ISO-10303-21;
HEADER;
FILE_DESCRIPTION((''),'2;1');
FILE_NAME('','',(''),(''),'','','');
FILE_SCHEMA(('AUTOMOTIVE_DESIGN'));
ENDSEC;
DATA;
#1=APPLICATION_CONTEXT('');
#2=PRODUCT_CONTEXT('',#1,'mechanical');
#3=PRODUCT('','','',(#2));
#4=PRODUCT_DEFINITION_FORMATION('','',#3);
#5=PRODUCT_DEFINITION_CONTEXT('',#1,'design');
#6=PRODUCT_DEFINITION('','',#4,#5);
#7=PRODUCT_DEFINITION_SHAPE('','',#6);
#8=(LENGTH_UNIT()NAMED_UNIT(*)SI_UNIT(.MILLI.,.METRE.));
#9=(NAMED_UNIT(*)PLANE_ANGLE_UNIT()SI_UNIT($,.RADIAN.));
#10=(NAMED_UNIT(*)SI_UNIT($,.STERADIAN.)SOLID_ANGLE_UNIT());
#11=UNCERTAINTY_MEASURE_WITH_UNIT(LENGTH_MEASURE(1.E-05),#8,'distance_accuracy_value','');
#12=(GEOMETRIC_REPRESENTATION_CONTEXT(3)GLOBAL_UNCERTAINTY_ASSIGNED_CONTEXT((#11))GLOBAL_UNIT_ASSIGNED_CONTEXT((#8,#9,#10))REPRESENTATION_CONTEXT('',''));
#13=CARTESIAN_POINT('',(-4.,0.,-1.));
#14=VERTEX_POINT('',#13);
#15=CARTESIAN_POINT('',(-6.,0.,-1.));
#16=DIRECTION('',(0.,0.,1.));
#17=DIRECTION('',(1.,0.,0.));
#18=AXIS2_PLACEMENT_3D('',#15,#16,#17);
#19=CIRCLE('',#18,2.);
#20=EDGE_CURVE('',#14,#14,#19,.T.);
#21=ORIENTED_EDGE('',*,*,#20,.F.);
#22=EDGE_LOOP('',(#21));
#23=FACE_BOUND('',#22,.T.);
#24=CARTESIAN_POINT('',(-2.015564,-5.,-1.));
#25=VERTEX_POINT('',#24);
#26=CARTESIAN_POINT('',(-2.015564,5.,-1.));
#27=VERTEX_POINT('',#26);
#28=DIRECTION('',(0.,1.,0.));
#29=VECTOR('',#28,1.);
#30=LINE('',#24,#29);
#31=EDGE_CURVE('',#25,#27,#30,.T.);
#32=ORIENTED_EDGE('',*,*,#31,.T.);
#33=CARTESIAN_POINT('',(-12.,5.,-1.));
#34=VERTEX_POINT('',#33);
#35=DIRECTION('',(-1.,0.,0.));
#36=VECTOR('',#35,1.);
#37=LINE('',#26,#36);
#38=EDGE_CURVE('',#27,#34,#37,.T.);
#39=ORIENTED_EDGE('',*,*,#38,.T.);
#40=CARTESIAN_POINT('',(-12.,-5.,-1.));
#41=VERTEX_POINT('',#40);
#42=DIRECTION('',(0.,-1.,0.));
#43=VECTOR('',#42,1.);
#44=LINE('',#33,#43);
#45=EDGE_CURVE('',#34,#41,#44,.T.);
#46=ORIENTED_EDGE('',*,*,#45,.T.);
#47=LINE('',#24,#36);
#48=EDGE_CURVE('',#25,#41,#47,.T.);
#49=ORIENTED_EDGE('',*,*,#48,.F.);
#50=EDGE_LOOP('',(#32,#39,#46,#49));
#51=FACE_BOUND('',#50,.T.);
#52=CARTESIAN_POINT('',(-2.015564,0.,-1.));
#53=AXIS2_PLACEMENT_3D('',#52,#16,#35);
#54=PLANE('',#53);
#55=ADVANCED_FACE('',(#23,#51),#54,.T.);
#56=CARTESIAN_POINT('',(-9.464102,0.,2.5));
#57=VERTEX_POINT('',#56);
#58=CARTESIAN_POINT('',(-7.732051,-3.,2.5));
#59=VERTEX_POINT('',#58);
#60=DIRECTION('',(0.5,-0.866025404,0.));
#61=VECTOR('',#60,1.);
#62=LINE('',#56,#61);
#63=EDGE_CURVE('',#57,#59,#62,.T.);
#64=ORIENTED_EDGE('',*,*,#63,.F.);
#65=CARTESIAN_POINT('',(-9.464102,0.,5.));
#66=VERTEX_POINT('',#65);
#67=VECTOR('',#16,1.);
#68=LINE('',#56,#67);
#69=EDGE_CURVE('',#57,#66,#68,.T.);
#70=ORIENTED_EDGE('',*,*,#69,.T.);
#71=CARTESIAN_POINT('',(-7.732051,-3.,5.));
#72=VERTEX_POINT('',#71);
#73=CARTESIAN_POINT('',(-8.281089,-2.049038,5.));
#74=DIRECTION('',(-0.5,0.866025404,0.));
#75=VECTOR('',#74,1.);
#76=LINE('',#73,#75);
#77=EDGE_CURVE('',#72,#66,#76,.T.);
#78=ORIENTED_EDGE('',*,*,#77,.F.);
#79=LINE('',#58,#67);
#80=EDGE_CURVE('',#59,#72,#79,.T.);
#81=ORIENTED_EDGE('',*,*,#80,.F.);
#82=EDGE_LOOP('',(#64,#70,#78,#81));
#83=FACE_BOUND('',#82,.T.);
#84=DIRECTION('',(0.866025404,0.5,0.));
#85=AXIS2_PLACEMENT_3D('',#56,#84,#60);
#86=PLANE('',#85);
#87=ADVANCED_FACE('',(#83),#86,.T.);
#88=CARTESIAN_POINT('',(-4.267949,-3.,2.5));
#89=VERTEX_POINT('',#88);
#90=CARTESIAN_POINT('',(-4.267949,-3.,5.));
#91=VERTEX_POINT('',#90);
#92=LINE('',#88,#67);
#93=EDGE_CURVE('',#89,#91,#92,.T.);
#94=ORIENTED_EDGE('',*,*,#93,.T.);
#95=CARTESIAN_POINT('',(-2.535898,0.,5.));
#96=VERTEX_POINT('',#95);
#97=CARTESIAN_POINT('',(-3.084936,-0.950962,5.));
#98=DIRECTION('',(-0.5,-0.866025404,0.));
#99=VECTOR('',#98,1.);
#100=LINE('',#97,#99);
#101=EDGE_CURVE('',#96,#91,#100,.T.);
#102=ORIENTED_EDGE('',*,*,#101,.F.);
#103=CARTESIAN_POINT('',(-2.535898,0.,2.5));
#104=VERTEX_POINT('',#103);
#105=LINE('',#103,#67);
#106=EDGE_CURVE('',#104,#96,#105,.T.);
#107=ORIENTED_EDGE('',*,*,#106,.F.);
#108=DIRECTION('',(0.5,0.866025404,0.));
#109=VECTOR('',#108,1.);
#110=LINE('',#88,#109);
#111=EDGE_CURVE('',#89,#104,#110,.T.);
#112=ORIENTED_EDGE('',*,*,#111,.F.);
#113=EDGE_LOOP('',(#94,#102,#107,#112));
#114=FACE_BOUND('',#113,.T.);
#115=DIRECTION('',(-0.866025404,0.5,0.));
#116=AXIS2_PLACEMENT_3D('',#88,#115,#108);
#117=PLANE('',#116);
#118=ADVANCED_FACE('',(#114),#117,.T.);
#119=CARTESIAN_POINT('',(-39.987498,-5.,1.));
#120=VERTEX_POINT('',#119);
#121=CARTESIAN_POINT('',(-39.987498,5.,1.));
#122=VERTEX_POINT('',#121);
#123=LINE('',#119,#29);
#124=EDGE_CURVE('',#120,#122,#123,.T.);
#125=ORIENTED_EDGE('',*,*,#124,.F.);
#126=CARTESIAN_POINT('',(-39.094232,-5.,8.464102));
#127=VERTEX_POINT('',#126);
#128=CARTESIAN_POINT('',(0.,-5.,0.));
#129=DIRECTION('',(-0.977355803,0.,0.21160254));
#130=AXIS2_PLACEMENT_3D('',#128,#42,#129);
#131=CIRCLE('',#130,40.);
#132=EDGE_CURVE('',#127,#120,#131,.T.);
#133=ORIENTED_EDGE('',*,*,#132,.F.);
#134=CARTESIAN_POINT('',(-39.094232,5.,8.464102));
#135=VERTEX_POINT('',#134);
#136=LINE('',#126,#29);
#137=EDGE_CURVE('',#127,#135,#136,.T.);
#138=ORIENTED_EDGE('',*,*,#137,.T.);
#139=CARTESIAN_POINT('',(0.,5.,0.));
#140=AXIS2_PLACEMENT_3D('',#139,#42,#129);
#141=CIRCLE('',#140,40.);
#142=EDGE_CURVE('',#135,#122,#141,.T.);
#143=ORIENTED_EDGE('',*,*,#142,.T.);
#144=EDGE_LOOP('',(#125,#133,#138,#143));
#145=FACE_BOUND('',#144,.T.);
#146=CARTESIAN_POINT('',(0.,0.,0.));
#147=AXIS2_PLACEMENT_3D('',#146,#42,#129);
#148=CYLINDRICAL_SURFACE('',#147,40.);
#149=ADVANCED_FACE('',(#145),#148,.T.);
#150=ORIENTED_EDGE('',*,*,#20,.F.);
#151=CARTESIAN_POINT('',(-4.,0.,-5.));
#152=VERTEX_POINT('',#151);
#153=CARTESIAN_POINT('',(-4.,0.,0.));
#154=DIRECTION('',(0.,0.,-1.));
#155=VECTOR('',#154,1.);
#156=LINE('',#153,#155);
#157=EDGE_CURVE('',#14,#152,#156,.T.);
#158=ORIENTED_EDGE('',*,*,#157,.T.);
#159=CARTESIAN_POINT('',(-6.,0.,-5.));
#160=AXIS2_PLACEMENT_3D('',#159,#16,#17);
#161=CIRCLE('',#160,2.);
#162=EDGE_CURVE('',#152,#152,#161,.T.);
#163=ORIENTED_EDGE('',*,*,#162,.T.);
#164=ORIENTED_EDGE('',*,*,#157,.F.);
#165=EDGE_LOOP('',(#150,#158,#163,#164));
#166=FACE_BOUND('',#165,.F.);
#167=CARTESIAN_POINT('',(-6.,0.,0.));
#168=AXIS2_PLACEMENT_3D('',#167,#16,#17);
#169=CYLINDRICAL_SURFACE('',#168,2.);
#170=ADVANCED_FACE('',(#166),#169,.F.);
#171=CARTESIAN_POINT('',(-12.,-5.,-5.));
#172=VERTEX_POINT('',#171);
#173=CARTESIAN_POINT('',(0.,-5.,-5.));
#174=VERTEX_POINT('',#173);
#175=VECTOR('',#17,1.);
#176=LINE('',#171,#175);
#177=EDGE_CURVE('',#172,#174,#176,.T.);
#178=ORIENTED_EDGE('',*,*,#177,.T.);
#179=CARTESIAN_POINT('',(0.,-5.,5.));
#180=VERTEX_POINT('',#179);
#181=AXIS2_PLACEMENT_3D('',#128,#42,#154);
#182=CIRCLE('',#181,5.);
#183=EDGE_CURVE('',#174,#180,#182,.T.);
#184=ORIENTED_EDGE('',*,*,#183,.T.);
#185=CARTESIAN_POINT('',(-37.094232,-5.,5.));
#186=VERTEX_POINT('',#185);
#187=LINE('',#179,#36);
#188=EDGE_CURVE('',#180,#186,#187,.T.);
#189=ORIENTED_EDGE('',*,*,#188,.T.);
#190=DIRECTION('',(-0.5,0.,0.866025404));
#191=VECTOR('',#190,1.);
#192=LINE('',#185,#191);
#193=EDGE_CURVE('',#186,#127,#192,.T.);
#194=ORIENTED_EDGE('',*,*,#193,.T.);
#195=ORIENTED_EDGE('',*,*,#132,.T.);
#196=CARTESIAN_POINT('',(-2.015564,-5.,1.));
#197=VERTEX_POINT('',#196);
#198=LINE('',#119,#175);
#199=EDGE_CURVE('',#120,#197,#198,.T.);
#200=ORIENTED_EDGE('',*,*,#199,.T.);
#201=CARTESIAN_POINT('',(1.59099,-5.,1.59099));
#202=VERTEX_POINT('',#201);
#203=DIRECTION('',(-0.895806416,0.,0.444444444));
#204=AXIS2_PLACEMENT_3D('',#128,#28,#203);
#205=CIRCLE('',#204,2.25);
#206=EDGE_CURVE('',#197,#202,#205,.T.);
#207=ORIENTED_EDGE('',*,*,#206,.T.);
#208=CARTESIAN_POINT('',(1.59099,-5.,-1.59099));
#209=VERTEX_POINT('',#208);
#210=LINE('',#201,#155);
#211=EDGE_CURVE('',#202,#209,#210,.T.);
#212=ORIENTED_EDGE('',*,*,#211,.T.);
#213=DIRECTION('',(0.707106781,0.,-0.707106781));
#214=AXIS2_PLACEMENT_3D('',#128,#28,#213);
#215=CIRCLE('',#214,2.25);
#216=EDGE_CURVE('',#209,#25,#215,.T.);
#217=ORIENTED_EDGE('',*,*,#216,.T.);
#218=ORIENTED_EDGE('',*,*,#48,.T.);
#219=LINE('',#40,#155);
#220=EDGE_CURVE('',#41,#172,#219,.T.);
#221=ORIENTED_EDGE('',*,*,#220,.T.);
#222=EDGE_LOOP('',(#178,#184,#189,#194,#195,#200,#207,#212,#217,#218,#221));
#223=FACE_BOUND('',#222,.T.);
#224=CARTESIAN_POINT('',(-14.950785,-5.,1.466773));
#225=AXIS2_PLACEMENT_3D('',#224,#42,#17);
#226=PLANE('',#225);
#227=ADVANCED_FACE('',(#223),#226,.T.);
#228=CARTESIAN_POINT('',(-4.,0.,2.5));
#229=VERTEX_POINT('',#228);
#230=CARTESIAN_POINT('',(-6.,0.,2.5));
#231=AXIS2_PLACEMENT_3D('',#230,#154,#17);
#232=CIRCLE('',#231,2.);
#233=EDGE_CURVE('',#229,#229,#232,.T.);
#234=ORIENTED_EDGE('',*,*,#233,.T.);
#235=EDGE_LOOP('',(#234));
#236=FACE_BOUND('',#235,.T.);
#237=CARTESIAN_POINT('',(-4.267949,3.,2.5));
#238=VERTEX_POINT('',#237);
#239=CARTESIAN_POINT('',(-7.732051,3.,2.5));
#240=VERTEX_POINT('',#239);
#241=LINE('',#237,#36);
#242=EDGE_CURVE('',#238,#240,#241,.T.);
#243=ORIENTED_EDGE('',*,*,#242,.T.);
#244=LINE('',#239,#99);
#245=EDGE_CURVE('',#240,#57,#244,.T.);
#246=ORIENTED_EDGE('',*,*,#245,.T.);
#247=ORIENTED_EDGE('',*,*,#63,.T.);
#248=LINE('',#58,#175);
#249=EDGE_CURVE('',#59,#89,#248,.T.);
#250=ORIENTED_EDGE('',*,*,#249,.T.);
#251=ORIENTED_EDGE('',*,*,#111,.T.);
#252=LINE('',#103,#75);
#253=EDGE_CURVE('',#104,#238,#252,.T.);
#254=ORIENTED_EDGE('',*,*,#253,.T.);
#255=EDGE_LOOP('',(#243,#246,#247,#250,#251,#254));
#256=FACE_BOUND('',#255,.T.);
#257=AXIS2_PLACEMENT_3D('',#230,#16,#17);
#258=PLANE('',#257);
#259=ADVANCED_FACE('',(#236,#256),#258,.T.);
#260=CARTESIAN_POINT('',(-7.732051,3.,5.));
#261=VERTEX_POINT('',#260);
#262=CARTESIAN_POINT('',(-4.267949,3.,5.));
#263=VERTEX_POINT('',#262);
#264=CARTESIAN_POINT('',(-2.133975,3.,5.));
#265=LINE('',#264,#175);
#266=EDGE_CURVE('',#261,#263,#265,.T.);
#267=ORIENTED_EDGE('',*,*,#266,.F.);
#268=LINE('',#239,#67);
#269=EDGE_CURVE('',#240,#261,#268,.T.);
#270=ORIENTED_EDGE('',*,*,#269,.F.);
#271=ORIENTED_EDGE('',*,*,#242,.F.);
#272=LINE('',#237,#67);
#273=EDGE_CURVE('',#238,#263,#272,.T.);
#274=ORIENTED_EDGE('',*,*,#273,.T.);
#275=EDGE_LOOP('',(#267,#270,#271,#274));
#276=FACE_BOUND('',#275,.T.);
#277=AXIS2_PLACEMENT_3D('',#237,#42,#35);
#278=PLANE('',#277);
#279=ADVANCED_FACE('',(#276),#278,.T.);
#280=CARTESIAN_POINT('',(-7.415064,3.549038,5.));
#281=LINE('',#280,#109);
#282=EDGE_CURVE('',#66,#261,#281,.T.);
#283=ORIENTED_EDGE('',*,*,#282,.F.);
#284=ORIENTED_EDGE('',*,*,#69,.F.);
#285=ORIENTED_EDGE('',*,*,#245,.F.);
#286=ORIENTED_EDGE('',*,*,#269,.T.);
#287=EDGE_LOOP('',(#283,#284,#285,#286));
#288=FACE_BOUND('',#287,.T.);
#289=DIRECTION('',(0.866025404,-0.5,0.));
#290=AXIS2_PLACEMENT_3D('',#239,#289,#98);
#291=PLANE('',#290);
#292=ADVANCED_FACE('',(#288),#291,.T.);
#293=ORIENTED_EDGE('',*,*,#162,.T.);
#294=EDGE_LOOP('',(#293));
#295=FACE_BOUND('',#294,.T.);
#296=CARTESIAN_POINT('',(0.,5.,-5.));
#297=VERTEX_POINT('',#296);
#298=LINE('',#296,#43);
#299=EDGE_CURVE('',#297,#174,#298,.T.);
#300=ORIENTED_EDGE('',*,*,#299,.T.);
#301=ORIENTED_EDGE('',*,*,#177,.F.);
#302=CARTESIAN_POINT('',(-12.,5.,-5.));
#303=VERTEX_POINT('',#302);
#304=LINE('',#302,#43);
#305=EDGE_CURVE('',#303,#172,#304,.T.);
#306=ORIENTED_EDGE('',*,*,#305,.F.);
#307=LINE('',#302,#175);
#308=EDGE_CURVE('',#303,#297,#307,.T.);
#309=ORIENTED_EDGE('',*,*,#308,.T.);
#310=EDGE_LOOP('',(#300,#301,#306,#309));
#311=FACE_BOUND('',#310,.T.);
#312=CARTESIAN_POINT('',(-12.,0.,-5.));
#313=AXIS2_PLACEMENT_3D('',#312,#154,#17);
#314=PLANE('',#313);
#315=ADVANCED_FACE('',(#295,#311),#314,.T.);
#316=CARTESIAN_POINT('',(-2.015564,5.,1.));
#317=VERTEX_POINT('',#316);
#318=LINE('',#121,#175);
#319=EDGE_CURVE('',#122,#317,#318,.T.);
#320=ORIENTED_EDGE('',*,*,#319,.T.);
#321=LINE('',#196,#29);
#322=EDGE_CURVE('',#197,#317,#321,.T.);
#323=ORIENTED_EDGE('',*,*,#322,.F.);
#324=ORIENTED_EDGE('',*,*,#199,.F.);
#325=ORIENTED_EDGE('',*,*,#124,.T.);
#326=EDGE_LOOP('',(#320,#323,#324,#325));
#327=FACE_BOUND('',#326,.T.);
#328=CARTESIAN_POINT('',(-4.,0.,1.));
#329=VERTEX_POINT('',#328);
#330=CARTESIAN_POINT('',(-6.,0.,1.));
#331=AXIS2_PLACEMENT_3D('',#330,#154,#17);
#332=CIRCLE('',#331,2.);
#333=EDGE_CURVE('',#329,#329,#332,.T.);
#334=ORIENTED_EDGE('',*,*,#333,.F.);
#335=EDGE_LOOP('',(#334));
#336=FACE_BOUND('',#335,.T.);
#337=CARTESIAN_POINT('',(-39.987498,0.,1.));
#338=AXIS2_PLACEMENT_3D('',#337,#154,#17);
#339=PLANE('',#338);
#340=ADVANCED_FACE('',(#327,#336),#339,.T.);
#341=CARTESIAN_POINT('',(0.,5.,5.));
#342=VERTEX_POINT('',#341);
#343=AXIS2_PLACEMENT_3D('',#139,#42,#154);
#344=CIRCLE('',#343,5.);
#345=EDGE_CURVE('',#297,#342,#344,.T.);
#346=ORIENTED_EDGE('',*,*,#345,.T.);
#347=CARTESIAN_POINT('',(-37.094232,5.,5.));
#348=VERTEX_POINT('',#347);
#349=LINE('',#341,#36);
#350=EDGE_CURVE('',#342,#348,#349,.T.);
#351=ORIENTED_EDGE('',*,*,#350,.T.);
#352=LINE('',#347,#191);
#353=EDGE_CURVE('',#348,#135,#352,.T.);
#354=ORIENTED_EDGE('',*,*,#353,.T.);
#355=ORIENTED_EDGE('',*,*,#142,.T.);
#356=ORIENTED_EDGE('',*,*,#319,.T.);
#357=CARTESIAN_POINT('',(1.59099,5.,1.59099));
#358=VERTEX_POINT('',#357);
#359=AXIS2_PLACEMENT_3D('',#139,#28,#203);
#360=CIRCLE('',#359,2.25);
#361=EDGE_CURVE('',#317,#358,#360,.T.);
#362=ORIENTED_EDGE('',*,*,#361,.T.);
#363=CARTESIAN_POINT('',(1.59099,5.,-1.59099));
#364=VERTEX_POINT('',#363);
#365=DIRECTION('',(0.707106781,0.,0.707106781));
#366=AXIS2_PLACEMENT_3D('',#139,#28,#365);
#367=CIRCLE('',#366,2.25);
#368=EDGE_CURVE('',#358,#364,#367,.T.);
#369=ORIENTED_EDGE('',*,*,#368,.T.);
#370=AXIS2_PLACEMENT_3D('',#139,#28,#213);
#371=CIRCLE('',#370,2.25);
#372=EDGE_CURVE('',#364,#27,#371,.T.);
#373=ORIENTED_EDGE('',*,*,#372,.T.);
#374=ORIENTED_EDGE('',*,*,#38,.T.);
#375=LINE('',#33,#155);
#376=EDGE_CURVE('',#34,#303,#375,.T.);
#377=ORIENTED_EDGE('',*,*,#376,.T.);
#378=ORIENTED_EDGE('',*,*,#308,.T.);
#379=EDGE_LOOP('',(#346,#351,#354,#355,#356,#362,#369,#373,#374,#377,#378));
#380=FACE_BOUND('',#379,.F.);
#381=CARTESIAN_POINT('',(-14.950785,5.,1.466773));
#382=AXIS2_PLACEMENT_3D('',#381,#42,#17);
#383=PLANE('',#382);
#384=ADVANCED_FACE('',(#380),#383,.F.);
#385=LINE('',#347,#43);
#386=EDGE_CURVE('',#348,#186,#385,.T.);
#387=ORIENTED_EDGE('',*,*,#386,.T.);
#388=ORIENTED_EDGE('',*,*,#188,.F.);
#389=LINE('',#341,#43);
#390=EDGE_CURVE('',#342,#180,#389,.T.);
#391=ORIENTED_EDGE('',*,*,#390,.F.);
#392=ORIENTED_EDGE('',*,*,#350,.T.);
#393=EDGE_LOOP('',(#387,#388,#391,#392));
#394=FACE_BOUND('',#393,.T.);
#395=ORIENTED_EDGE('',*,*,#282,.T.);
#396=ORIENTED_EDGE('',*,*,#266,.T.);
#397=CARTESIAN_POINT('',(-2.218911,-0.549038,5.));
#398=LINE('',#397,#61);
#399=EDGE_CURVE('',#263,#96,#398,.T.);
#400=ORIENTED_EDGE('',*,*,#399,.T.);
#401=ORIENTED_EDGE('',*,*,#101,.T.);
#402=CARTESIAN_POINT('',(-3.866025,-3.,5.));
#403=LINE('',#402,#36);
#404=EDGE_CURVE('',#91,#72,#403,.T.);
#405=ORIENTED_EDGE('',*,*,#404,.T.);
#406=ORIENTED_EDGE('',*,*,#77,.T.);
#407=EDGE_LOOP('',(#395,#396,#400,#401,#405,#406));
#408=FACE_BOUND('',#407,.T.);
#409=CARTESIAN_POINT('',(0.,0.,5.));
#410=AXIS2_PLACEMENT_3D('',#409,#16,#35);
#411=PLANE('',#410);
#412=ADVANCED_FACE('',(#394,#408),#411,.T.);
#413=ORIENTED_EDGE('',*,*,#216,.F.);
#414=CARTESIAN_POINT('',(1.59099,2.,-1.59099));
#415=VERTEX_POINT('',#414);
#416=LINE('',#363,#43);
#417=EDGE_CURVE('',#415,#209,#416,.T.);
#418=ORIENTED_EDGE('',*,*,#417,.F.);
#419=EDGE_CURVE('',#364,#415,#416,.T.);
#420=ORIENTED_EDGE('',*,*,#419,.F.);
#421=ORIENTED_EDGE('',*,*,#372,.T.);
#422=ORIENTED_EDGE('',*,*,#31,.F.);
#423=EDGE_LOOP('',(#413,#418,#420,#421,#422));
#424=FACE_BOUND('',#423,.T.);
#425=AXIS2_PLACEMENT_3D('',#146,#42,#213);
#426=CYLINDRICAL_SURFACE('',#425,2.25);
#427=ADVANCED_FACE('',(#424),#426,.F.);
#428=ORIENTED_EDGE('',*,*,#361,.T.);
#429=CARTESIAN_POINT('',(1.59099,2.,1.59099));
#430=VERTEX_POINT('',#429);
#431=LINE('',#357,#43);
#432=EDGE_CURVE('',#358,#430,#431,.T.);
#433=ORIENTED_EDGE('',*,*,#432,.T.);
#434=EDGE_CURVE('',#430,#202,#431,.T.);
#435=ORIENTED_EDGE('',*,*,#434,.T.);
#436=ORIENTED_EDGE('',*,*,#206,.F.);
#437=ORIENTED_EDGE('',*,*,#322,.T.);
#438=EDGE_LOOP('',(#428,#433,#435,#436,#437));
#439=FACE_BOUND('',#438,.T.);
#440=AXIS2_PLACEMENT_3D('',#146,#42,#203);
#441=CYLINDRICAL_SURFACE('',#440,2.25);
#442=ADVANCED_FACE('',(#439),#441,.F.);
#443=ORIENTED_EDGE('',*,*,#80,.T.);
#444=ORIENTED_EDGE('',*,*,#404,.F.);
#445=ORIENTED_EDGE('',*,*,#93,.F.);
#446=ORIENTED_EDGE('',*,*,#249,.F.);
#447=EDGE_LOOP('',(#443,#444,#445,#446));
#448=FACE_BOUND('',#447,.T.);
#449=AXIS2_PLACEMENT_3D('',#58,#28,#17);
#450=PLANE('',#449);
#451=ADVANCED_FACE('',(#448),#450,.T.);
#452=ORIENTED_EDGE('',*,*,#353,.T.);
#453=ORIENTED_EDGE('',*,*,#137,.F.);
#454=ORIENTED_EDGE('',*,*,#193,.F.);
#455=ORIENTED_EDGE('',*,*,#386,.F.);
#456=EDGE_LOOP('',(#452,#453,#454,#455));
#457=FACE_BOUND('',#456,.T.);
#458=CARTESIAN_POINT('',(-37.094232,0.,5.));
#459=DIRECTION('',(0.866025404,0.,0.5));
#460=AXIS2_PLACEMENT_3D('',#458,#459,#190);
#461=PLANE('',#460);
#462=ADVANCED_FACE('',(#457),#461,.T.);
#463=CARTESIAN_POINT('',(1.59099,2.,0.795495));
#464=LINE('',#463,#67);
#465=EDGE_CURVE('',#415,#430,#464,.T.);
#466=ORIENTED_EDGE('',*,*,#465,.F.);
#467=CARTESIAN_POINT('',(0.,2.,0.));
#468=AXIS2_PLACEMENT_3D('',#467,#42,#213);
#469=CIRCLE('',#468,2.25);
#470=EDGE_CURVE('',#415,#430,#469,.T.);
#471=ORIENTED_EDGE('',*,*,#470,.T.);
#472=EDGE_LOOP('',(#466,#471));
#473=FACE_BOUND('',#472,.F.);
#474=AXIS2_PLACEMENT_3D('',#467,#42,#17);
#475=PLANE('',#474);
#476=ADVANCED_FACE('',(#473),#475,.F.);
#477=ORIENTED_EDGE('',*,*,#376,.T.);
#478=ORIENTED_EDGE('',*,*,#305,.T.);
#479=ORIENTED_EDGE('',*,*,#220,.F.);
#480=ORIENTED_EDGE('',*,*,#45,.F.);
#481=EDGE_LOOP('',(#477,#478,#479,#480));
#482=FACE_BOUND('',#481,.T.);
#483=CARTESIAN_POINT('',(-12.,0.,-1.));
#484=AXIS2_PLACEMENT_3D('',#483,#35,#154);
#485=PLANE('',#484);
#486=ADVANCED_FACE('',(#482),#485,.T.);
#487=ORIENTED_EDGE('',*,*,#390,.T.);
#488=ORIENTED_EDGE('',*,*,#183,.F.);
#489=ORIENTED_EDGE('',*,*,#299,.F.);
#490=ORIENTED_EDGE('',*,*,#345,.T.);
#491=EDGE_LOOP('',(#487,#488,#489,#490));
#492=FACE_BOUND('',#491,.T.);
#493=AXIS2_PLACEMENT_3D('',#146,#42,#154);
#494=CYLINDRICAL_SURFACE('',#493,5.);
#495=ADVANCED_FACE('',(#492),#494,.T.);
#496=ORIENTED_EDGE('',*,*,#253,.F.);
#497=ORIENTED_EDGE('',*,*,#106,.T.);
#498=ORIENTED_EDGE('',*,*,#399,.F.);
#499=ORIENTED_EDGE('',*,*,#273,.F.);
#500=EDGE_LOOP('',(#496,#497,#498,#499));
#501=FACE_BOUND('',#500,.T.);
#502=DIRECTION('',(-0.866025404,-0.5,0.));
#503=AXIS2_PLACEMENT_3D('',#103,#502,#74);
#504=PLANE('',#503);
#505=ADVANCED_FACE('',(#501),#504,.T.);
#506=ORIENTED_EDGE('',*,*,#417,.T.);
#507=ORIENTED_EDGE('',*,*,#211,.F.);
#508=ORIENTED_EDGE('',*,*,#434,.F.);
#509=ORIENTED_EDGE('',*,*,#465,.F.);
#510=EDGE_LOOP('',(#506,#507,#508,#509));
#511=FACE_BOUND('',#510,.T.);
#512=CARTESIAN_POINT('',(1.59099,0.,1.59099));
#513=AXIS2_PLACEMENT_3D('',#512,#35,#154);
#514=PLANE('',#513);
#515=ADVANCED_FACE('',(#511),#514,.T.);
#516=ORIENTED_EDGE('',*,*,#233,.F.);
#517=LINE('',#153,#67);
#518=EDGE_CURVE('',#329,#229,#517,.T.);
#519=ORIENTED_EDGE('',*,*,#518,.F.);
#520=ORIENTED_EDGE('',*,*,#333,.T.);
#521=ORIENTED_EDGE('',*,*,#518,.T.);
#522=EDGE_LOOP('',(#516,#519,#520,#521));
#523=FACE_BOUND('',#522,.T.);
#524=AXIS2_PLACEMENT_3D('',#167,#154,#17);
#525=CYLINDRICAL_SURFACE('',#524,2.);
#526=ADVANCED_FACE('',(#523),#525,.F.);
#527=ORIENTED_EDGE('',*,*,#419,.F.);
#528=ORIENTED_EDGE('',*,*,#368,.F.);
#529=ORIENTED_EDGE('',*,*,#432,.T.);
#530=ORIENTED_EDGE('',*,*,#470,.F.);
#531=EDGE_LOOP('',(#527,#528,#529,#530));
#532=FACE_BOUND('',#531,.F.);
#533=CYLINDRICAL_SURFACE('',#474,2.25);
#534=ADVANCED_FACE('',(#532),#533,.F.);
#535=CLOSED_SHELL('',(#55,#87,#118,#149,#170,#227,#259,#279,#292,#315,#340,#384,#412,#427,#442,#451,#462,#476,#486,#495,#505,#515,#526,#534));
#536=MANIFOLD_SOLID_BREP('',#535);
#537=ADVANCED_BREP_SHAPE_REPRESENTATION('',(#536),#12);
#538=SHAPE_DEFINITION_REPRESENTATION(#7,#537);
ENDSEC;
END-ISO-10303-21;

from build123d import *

# Parameters (mm, degrees)
F4_DEPTH      = 5
F4_DEPTH_BACK = 5
F1_R          = 2
F5_DEPTH      = 12
F5_DEPTH_BACK = 25
F6_START      = 2.5
F6_DEPTH      = 3.5
F7_START      = -2
F3_R          = 2.25
F7_DEPTH      = 23


with BuildPart() as f4:
    # F0 (on Front) → F4 (new body, two sides)
    with BuildSketch(Plane.XZ) as f4_sk:
        with BuildLine():
            ThreePointArc((-2.0155644371, 1), (-0.3638449939, 2.2203866376), (1.5909902577, 1.5909902577))
            Line((1.5909902577, 1.5909902577), (1.5909902577, -1.5909902577))
            ThreePointArc((1.5909902577, -1.5909902577), (-0.3638449939, -2.2203866376), (-2.0155644371, -1))
            Line((-2.0155644371, -1), (-12, -1))
            Line((-12, -1), (-12, -5))
            Line((-12, -5), (0, -5))
            ThreePointArc((0, -5), (5, 0), (0, 5))
            Line((0, 5), (-37.0942321046, 5))
            Line((-37.0942321046, 5), (-39.0942321046, 8.4641016151))
            ThreePointArc((-39.0942321046, 8.4641016151), (-39.7165987233, 4.753081722), (-39.9874980463, 1))
            Line((-39.9874980463, 1), (-2.0155644371, 1))
        make_face()
    extrude(amount=F4_DEPTH)
    extrude(f4_sk.sketch, amount=-F4_DEPTH_BACK)

    # F1 (on Top) → F5 (cut, two sides)
    with BuildSketch(Plane.XY) as f5_sk:
        with Locations((-6, 0)):
            Circle(F1_R)
    extrude(amount=-F5_DEPTH, mode=Mode.SUBTRACT)
    extrude(f5_sk.sketch, amount=F5_DEPTH_BACK, mode=Mode.SUBTRACT)

    # F2 (on Top) → F6 (cut)
    with BuildSketch(Plane.XY.offset(F6_START)):
        Polygon((-4.2679491924, -3), (-2.5358983849, 0), (-4.2679491924, 3), (-7.7320508076, 3), (-9.4641016151, 0), (-7.7320508076, -3), align=None)
    extrude(amount=F6_DEPTH, mode=Mode.SUBTRACT)

    # F3 (on Front) → F7 (cut)
    with BuildSketch(Plane.XZ.offset(F7_START)):
        Circle(F3_R)
    extrude(amount=-F7_DEPTH, mode=Mode.SUBTRACT)


solid = f4.part
